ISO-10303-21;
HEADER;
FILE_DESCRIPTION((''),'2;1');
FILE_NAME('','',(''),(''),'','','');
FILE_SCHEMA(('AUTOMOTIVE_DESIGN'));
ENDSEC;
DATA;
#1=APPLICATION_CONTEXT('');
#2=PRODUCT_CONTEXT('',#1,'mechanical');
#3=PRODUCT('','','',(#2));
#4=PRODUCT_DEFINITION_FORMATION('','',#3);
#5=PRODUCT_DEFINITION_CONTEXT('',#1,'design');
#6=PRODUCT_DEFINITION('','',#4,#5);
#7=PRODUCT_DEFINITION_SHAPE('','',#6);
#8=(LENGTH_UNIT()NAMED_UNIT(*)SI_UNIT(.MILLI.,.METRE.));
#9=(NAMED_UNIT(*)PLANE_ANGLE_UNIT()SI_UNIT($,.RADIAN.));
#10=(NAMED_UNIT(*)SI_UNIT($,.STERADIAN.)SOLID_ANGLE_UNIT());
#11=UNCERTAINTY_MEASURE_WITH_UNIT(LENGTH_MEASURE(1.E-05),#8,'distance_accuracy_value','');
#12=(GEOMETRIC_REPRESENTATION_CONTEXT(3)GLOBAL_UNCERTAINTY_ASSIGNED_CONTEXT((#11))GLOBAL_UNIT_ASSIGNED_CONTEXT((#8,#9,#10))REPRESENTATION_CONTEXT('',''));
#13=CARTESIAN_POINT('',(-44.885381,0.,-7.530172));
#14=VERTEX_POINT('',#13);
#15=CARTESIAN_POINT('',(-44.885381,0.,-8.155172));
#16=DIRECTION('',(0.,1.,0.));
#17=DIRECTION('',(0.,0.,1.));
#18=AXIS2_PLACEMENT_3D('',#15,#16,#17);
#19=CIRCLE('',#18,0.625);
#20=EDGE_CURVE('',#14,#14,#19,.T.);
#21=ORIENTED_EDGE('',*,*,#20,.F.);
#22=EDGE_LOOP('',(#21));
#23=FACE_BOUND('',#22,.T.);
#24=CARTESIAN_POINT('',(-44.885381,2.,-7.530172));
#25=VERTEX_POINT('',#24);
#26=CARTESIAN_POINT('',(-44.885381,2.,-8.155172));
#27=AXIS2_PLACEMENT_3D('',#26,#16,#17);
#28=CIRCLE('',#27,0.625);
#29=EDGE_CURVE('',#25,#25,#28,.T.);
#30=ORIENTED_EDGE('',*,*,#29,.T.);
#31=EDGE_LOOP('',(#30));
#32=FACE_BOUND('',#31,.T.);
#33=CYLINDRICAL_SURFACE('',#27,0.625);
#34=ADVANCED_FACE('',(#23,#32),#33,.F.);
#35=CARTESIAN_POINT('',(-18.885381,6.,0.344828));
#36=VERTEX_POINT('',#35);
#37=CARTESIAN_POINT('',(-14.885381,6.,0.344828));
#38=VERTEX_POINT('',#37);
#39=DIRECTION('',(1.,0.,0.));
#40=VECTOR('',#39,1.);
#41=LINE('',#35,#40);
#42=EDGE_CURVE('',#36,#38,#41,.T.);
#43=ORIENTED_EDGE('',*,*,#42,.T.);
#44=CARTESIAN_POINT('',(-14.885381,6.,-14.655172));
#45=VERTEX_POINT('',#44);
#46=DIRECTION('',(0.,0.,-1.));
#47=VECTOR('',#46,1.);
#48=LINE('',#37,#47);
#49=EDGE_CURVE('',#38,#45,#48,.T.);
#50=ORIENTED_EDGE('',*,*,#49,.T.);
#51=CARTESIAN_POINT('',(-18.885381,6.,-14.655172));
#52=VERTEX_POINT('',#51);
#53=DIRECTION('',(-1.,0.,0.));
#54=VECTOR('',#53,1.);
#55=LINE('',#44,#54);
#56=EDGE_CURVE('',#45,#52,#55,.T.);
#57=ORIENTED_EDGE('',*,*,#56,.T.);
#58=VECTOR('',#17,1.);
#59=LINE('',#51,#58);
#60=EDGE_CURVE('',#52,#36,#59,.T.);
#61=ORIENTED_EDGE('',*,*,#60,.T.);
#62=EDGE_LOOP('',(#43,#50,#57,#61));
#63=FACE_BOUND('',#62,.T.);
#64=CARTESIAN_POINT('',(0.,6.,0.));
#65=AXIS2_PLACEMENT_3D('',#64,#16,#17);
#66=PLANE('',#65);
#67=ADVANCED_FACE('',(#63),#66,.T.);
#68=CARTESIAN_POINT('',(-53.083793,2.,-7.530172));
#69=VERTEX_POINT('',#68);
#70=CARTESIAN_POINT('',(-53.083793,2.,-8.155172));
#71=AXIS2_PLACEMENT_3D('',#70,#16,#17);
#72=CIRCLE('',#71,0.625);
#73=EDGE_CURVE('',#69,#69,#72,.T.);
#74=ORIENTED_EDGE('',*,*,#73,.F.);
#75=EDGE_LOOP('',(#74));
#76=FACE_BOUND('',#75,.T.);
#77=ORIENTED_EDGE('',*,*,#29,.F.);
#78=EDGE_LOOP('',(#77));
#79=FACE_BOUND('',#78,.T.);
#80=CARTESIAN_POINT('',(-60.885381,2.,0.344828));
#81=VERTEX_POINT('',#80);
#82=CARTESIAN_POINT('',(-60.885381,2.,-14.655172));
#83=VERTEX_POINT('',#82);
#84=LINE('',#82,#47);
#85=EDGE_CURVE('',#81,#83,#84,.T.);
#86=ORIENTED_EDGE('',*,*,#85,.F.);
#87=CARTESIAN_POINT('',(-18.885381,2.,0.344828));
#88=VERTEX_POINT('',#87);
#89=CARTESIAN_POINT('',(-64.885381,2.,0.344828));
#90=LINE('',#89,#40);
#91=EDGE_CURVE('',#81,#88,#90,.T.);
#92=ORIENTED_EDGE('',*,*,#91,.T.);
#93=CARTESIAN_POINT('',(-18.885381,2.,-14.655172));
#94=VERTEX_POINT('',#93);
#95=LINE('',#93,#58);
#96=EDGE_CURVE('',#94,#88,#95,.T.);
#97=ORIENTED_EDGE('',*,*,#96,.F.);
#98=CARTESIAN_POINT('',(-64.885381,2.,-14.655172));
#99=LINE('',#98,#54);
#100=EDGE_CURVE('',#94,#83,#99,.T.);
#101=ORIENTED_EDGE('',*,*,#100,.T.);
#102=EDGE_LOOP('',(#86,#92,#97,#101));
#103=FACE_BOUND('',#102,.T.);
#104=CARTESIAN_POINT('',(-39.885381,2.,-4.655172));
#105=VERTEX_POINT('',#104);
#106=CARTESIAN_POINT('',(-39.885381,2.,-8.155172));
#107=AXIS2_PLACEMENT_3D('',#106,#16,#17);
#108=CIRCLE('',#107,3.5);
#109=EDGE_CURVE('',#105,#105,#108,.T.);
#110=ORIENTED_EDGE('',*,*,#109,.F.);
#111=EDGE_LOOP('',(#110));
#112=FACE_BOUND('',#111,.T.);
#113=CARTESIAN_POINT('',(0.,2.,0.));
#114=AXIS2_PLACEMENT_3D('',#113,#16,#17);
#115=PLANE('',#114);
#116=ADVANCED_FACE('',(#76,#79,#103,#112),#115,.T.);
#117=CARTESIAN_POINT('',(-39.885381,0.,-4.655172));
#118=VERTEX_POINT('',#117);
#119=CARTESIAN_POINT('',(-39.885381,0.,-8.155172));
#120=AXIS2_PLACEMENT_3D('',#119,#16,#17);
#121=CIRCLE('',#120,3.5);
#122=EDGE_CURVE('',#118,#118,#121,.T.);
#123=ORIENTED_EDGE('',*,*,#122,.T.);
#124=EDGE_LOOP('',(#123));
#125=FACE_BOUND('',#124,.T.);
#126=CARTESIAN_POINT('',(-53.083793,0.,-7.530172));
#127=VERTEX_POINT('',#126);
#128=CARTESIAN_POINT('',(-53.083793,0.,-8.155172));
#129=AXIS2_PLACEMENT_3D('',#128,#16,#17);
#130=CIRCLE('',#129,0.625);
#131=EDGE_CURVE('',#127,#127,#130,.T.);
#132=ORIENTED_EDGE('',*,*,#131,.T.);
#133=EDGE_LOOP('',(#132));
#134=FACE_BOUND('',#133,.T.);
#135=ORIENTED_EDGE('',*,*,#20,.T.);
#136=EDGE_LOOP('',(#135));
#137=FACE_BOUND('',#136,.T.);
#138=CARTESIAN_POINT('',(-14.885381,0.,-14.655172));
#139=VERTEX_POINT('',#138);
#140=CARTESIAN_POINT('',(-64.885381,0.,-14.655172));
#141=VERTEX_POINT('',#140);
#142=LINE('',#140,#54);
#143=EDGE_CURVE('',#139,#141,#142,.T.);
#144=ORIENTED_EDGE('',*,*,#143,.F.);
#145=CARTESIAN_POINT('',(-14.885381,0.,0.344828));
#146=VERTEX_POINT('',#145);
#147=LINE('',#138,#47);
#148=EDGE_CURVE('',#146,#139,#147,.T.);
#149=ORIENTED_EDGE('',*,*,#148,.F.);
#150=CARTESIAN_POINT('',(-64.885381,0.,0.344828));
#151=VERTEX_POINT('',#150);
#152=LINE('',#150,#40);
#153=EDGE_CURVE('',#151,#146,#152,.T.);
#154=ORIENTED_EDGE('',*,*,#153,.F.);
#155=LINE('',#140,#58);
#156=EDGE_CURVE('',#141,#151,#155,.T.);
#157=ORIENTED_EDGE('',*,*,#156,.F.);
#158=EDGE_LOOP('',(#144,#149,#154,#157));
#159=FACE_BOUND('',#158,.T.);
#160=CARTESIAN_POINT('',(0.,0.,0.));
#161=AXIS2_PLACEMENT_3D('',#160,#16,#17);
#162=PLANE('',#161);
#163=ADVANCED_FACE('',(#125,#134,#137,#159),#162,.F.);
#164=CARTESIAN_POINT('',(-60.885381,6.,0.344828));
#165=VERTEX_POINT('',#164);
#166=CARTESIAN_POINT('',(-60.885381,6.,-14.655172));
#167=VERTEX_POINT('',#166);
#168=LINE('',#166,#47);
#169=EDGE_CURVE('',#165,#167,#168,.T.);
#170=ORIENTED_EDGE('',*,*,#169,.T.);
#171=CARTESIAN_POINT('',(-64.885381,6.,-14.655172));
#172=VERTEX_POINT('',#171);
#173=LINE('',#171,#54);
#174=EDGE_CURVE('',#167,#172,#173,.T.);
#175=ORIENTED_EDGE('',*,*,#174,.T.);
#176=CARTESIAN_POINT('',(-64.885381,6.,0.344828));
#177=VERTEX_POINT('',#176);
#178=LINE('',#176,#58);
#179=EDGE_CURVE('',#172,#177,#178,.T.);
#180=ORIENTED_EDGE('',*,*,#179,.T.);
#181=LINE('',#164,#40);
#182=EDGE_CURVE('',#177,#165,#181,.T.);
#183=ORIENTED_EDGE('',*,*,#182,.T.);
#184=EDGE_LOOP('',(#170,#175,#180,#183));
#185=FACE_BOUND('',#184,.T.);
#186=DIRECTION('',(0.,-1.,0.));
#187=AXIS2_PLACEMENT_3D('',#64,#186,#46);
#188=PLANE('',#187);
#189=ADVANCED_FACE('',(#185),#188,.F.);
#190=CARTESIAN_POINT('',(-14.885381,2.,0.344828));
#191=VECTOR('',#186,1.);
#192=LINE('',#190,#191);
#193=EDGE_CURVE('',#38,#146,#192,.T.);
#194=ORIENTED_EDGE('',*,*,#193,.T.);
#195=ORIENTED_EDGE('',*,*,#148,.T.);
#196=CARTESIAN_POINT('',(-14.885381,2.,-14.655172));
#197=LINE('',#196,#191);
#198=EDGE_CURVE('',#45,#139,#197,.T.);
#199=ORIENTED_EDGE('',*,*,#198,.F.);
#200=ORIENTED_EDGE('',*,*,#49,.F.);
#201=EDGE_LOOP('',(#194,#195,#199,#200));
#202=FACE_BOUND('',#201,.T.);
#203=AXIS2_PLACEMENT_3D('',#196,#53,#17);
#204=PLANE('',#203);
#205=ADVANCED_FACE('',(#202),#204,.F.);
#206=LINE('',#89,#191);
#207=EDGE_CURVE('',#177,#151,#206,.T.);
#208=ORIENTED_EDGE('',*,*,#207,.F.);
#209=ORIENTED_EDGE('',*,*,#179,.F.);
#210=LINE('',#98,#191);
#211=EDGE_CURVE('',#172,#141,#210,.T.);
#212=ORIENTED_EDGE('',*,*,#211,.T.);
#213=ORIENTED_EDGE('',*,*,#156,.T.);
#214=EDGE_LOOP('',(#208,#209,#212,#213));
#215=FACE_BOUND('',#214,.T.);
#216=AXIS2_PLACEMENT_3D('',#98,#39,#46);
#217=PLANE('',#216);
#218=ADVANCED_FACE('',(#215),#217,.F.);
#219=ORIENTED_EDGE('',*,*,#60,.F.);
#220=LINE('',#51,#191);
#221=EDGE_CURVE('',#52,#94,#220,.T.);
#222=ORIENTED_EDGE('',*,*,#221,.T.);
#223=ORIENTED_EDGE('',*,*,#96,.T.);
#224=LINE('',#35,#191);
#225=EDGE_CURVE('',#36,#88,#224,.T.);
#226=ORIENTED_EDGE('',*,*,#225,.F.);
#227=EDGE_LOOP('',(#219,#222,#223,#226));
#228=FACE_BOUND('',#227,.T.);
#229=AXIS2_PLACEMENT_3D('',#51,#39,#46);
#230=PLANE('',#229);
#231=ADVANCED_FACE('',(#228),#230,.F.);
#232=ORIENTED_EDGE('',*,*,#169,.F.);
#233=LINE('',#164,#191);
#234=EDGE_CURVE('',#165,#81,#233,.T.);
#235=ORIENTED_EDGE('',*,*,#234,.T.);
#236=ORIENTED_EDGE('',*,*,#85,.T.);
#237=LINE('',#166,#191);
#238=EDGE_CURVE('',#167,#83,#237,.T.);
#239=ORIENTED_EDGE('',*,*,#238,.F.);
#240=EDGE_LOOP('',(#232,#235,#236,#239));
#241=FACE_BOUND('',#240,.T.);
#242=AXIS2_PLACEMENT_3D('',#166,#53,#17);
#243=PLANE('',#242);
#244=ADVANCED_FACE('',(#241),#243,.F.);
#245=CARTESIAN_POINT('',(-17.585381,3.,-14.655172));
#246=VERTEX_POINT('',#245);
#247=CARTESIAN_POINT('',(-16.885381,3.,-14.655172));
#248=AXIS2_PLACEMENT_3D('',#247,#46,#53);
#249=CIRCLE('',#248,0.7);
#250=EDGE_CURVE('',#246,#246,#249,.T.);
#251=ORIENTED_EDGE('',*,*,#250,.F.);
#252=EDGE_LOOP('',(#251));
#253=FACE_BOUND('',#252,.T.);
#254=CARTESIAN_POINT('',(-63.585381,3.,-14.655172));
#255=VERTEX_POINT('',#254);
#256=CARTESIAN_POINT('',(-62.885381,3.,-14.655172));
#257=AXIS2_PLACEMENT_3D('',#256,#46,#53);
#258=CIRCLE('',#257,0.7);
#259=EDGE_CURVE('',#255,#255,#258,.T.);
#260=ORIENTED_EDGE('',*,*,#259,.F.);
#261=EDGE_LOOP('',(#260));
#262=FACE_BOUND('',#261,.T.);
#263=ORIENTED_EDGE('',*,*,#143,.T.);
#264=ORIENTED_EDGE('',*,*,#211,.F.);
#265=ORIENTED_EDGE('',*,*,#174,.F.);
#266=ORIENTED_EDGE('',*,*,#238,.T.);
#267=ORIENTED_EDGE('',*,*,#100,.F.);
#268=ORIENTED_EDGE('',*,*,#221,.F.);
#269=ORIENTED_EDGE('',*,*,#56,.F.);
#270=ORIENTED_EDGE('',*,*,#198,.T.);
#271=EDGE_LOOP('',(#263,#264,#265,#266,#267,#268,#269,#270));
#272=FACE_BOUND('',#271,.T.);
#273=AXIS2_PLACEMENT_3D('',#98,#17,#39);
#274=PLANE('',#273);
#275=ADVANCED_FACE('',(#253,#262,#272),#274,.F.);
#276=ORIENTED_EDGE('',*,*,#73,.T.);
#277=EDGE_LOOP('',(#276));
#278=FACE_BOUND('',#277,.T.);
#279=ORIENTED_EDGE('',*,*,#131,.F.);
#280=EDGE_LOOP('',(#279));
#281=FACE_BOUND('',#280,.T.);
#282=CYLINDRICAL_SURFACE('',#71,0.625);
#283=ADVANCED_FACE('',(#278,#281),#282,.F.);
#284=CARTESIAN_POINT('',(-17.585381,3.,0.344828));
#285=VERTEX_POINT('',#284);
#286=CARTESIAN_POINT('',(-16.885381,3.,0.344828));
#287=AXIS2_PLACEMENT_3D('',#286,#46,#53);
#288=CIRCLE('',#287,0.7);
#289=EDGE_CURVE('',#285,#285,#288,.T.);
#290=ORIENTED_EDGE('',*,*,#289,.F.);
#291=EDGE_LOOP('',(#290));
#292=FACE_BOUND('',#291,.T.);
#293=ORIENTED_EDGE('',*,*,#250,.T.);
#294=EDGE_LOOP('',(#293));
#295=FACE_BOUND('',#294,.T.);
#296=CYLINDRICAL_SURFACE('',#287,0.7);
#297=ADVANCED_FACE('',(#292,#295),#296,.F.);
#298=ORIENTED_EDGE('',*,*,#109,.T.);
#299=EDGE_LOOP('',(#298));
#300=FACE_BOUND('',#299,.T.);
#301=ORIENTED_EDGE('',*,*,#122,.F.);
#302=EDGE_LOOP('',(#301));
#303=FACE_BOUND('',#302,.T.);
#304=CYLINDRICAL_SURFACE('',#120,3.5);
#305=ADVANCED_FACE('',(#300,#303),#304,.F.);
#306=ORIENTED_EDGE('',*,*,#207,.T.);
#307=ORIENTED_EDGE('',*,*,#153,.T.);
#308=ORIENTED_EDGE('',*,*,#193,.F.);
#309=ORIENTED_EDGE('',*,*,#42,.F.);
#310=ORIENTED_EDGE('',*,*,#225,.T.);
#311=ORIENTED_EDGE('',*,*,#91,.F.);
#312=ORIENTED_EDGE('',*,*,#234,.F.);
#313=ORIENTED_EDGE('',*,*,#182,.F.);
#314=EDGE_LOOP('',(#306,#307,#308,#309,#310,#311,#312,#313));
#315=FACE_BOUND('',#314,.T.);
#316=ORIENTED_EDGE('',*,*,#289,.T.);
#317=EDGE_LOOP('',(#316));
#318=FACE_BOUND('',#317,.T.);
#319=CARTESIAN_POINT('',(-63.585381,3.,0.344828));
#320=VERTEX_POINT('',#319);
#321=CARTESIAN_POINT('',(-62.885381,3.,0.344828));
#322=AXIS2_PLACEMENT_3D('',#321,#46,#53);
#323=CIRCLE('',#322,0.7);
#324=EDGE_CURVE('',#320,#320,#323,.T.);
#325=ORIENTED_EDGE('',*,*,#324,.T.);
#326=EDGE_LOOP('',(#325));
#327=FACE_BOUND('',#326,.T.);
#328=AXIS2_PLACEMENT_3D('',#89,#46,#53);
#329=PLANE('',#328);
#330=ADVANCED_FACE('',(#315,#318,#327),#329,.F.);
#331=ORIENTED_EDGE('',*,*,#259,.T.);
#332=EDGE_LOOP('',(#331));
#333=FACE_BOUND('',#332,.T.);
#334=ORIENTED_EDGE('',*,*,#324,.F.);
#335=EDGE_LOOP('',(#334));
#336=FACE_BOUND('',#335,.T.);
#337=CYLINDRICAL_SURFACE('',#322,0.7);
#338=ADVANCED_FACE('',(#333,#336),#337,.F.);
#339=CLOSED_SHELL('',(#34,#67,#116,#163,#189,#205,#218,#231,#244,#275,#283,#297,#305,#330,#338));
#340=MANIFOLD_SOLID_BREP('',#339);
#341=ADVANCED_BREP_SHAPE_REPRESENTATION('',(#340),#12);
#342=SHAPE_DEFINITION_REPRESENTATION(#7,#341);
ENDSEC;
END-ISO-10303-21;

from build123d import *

# Parameters (mm, degrees)
SKETCH1_W                = 50
SKETCH1_H                = 15
BOSS_EXTRUDE1_DEPTH      = 2
SKETCH2_R                = 3.5
CUT_EXTRUDE1_DEPTH       = 2
SKETCH3_W                = 4
SKETCH3_H                = 15
BOSS_EXTRUDE2_DEPTH      = 4
SKETCH4_R                = 0.7
CUT_EXTRUDE2_DEPTH       = 67.866379361
M1_6X0_35_TAPPED_HOLE2_D = 1.25
M1_6X0_35_TAPPED_HOLE1_D = 1.25


with BuildPart() as part:
    # Sketch1 → Boss-Extrude1 (new body)
    with BuildSketch(Plane(origin=(0, 0, 0), x_dir=(1, 0, 0), z_dir=(0, 1, 0))):
        with Locations((-39.885381165, 7.155172414)):
            Rectangle(SKETCH1_W, SKETCH1_H)
    extrude(amount=BOSS_EXTRUDE1_DEPTH)

    # Sketch2 → Cut-Extrude1 (cut)
    with BuildSketch(Plane(origin=(0, 2, 0), x_dir=(1, 0, 0), z_dir=(0, 1, 0))):
        with Locations(Location((-39.885381165, 8.155172414, 0), (0, 0, 270))):
            Circle(SKETCH2_R)
    extrude(amount=-CUT_EXTRUDE1_DEPTH, mode=Mode.SUBTRACT)

    # Sketch3 → Boss-Extrude2 (add)
    with BuildSketch(Plane(origin=(0, 2, 0), x_dir=(1, 0, 0), z_dir=(0, 1, 0))):
        with Locations((-62.885381165, 7.155172414)):
            Rectangle(SKETCH3_W, SKETCH3_H)
        with Locations((-16.885381165, 7.155172414)):
            Rectangle(SKETCH3_W, SKETCH3_H)
    extrude(amount=BOSS_EXTRUDE2_DEPTH)

    # Sketch4 → Cut-Extrude2 (cut, through all)
    with BuildSketch(Plane(origin=(0, 0, -14.655172414), x_dir=(-1, 0, 0), z_dir=(0, 0, -1))):
        with Locations((62.885381165, 3)):
            Circle(SKETCH4_R)
        with Locations((16.885381165, 3)):
            Circle(SKETCH4_R)
    extrude(amount=-CUT_EXTRUDE2_DEPTH, mode=Mode.SUBTRACT)

    # M1.6x0.35 Tapped Hole2 (through all)
    with Locations(Plane(origin=(0, 2, 0), x_dir=(1, 0, 0), z_dir=(0, 1, 0))):
        with Locations((-44.885381165, 8.155172414)):
            Hole(M1_6X0_35_TAPPED_HOLE2_D / 2)

    # M1.6x0.35 Tapped Hole1 (through all)
    with Locations(Plane(origin=(0, 2, 0), x_dir=(1, 0, 0), z_dir=(0, 1, 0))):
        with Locations((-53.083792801, 8.155172414)):
            Hole(M1_6X0_35_TAPPED_HOLE1_D / 2)


solid = part.part
